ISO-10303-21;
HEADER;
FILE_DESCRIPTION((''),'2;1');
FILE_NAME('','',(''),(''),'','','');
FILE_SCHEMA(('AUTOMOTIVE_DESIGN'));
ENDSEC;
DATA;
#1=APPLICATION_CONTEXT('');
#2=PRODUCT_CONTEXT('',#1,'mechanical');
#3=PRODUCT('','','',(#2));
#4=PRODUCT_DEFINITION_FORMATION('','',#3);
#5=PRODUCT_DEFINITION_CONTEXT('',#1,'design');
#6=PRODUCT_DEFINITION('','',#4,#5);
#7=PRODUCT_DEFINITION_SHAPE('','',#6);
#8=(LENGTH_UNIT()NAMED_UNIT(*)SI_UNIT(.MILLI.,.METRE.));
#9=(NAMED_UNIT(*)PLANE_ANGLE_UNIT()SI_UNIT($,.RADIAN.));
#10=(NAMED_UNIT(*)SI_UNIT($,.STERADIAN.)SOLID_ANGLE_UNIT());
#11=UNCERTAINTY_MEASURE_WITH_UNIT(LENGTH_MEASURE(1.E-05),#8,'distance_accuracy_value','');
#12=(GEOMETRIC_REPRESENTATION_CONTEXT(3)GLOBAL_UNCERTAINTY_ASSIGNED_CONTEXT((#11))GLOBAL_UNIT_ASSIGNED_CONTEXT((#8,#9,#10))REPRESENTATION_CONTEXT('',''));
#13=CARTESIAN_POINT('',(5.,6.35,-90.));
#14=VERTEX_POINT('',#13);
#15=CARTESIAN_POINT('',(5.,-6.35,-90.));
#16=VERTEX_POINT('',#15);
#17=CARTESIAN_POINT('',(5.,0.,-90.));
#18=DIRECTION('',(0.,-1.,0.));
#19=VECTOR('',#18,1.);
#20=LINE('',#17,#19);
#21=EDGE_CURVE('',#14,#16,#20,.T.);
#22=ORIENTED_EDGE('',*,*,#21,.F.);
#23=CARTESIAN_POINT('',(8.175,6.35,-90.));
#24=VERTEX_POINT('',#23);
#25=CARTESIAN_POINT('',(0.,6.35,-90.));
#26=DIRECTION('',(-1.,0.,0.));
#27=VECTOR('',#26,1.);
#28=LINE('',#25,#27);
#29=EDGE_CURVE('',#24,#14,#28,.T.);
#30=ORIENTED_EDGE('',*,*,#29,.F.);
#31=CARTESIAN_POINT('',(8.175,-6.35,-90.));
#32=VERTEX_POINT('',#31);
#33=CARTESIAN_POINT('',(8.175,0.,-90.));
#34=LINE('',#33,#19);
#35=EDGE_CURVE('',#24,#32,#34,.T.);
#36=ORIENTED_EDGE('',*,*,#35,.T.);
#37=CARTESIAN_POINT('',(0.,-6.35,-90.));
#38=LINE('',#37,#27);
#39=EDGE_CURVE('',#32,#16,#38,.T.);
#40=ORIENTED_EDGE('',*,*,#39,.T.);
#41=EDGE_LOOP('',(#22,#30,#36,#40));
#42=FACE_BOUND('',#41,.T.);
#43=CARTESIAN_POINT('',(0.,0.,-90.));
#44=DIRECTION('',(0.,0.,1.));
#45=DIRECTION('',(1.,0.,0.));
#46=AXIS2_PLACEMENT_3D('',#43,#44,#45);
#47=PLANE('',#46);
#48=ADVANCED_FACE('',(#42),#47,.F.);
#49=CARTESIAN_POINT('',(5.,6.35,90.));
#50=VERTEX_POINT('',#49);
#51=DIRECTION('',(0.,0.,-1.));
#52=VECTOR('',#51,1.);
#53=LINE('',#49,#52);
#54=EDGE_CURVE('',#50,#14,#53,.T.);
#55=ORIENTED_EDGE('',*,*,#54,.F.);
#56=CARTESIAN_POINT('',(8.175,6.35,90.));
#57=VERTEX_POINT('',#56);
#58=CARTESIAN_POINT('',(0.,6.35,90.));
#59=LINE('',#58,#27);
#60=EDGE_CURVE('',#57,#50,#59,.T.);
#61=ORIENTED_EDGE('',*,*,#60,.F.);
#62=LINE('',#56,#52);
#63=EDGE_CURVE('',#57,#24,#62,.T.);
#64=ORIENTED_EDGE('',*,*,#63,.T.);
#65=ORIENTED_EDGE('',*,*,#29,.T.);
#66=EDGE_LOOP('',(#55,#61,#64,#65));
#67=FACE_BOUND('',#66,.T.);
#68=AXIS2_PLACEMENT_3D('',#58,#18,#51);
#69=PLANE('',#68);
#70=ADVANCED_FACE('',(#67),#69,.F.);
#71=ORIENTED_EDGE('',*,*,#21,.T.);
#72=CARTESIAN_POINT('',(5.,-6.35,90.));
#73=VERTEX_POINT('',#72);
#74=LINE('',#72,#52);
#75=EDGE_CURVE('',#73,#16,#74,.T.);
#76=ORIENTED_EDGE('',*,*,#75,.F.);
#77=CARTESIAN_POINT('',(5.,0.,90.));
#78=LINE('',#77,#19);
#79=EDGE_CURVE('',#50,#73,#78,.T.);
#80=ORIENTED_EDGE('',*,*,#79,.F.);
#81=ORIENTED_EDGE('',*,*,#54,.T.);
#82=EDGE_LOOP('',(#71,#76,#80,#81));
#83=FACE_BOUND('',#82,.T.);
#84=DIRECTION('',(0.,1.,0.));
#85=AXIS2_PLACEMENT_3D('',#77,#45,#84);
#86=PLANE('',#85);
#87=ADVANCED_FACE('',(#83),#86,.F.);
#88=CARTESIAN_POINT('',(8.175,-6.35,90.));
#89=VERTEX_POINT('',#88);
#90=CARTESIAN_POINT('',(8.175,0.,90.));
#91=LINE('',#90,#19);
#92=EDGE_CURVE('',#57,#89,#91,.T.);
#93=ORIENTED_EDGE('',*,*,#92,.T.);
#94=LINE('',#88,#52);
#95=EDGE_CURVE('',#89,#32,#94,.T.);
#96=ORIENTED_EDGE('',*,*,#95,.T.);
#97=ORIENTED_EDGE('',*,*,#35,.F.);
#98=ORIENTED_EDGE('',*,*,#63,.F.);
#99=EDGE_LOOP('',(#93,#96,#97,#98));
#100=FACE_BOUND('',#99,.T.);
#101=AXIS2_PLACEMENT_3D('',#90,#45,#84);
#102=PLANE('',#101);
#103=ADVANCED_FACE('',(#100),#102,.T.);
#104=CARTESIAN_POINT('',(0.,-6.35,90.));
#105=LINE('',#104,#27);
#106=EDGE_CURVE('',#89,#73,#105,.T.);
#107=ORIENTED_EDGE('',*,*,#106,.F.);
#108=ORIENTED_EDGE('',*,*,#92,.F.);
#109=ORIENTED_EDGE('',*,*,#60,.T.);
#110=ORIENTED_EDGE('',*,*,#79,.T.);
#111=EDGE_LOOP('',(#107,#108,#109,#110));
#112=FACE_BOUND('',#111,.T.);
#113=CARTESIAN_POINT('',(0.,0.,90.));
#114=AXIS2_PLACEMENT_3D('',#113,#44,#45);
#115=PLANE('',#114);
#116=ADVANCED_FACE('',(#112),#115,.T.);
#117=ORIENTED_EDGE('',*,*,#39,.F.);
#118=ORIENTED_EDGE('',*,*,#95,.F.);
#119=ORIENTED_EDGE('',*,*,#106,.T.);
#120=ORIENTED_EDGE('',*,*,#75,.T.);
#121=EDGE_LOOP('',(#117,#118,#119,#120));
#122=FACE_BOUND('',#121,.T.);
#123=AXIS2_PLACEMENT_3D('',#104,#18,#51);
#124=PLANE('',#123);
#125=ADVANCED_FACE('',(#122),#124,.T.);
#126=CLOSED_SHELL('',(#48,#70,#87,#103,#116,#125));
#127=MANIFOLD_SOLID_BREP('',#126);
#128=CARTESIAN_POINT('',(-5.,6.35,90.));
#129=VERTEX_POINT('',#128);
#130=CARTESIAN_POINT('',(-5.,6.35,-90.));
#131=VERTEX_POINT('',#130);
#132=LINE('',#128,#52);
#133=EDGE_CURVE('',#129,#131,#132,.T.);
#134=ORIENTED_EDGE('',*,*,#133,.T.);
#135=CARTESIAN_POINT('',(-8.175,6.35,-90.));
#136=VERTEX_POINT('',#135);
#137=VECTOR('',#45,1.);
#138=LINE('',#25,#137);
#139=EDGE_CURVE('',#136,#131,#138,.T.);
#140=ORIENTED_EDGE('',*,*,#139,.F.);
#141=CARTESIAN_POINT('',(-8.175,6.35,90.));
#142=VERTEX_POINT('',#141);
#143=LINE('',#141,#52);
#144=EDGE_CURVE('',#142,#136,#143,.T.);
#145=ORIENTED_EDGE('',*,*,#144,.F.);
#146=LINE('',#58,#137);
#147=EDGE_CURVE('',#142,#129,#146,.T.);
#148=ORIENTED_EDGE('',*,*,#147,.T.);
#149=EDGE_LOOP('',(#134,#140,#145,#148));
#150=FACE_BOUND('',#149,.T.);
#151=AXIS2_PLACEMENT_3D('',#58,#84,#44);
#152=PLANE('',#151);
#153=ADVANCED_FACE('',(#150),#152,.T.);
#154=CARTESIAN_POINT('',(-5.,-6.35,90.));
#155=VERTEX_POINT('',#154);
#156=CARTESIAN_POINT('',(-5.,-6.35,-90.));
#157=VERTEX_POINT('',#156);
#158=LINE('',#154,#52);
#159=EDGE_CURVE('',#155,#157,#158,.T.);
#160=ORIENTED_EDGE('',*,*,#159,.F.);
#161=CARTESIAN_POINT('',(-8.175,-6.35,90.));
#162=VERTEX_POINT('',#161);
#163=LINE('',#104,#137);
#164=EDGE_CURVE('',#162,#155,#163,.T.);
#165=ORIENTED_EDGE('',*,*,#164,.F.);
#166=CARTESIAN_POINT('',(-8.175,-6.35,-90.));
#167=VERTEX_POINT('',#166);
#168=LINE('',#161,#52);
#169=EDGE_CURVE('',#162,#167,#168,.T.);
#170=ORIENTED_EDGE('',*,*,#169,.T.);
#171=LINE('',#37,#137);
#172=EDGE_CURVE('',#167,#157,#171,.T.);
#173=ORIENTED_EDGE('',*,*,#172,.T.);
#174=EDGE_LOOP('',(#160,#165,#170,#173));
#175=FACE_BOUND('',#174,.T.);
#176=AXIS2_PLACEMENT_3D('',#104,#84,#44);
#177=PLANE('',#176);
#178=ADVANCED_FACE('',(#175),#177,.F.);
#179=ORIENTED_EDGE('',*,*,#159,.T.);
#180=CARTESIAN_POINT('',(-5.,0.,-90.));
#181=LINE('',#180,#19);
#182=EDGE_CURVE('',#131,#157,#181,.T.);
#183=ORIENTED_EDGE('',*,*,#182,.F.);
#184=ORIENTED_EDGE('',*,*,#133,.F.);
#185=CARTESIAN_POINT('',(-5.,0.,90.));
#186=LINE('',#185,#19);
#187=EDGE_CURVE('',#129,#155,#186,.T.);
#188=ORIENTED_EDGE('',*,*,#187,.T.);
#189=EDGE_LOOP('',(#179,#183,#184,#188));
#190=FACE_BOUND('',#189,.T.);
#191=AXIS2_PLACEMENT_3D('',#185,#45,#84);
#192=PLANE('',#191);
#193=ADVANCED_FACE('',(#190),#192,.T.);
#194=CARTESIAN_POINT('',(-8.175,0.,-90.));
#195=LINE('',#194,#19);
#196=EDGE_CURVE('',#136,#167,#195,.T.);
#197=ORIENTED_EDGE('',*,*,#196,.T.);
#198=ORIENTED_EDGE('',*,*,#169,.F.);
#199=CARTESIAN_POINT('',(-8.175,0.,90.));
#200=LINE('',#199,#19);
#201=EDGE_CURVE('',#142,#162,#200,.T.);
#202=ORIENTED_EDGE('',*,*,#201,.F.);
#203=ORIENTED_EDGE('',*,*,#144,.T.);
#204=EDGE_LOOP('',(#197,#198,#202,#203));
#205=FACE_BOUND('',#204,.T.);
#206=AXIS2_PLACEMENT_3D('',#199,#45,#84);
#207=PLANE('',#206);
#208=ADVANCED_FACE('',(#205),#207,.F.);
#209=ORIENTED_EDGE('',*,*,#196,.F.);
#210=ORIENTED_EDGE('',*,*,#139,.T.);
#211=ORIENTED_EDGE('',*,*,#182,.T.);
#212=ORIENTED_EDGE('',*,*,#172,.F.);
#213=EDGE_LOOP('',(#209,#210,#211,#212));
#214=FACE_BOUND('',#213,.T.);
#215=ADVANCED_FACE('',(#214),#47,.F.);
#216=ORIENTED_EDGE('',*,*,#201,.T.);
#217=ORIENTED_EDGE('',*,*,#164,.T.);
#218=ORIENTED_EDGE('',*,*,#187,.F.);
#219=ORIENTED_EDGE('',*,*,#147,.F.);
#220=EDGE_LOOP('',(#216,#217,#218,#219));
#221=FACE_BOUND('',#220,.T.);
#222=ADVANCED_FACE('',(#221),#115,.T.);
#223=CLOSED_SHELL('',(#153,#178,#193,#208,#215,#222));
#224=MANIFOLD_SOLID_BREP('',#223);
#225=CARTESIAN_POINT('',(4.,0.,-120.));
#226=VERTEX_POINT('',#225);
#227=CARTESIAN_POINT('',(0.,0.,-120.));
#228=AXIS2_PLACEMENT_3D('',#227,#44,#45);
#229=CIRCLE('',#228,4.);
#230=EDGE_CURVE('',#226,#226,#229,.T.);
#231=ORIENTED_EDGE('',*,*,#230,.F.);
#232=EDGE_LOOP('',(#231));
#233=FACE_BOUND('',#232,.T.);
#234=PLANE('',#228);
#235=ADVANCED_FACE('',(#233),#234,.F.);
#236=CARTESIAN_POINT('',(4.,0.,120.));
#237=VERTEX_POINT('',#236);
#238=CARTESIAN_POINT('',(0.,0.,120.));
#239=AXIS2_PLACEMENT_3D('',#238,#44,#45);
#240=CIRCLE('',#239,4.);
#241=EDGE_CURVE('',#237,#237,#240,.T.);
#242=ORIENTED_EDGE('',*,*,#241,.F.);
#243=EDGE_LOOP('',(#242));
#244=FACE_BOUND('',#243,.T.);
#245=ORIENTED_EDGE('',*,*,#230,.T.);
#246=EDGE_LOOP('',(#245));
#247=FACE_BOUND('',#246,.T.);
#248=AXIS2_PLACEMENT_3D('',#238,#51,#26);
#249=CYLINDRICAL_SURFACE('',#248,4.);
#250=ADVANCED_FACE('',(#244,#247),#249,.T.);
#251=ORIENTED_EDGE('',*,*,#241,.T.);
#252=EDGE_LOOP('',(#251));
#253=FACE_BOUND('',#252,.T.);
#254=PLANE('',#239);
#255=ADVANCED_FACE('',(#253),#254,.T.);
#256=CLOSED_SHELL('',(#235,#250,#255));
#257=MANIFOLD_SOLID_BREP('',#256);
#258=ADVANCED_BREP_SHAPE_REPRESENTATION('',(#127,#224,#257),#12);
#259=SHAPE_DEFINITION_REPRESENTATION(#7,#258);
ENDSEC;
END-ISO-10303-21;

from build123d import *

# Parameters (mm, degrees)
SKETCH1_W             = 3.175
SKETCH1_H             = 12.7
BOSS_EXTRUDE1_DEPTH   = 90
BOSS_EXTRUDE1_2_DEPTH = 90
SKETCH1_3_R           = 4
BOSS_EXTRUDE2_DEPTH   = 120


with BuildPart() as part:
    # Sketch1 → Boss-Extrude1 (new, symmetric)
    with BuildSketch(Plane.XY):
        with Locations((6.5875, 0)):
            Rectangle(SKETCH1_W, SKETCH1_H)
    extrude(amount=BOSS_EXTRUDE1_DEPTH, both=True)


with BuildPart() as body_2:
    # Sketch1 → Boss-Extrude1 2 (new, symmetric)
    with BuildSketch(Plane.XY):
        with Locations((-6.5875, 0)):
            Rectangle(SKETCH1_W, SKETCH1_H)
    extrude(amount=BOSS_EXTRUDE1_2_DEPTH, both=True)


with BuildPart() as body_3:
    # Sketch1<3> → Boss-Extrude2 (new, symmetric)
    with BuildSketch(Plane.XY):
        Circle(SKETCH1_3_R)
    extrude(amount=BOSS_EXTRUDE2_DEPTH, both=True)


solid = Compound([part.part, body_2.part, body_3.part])
